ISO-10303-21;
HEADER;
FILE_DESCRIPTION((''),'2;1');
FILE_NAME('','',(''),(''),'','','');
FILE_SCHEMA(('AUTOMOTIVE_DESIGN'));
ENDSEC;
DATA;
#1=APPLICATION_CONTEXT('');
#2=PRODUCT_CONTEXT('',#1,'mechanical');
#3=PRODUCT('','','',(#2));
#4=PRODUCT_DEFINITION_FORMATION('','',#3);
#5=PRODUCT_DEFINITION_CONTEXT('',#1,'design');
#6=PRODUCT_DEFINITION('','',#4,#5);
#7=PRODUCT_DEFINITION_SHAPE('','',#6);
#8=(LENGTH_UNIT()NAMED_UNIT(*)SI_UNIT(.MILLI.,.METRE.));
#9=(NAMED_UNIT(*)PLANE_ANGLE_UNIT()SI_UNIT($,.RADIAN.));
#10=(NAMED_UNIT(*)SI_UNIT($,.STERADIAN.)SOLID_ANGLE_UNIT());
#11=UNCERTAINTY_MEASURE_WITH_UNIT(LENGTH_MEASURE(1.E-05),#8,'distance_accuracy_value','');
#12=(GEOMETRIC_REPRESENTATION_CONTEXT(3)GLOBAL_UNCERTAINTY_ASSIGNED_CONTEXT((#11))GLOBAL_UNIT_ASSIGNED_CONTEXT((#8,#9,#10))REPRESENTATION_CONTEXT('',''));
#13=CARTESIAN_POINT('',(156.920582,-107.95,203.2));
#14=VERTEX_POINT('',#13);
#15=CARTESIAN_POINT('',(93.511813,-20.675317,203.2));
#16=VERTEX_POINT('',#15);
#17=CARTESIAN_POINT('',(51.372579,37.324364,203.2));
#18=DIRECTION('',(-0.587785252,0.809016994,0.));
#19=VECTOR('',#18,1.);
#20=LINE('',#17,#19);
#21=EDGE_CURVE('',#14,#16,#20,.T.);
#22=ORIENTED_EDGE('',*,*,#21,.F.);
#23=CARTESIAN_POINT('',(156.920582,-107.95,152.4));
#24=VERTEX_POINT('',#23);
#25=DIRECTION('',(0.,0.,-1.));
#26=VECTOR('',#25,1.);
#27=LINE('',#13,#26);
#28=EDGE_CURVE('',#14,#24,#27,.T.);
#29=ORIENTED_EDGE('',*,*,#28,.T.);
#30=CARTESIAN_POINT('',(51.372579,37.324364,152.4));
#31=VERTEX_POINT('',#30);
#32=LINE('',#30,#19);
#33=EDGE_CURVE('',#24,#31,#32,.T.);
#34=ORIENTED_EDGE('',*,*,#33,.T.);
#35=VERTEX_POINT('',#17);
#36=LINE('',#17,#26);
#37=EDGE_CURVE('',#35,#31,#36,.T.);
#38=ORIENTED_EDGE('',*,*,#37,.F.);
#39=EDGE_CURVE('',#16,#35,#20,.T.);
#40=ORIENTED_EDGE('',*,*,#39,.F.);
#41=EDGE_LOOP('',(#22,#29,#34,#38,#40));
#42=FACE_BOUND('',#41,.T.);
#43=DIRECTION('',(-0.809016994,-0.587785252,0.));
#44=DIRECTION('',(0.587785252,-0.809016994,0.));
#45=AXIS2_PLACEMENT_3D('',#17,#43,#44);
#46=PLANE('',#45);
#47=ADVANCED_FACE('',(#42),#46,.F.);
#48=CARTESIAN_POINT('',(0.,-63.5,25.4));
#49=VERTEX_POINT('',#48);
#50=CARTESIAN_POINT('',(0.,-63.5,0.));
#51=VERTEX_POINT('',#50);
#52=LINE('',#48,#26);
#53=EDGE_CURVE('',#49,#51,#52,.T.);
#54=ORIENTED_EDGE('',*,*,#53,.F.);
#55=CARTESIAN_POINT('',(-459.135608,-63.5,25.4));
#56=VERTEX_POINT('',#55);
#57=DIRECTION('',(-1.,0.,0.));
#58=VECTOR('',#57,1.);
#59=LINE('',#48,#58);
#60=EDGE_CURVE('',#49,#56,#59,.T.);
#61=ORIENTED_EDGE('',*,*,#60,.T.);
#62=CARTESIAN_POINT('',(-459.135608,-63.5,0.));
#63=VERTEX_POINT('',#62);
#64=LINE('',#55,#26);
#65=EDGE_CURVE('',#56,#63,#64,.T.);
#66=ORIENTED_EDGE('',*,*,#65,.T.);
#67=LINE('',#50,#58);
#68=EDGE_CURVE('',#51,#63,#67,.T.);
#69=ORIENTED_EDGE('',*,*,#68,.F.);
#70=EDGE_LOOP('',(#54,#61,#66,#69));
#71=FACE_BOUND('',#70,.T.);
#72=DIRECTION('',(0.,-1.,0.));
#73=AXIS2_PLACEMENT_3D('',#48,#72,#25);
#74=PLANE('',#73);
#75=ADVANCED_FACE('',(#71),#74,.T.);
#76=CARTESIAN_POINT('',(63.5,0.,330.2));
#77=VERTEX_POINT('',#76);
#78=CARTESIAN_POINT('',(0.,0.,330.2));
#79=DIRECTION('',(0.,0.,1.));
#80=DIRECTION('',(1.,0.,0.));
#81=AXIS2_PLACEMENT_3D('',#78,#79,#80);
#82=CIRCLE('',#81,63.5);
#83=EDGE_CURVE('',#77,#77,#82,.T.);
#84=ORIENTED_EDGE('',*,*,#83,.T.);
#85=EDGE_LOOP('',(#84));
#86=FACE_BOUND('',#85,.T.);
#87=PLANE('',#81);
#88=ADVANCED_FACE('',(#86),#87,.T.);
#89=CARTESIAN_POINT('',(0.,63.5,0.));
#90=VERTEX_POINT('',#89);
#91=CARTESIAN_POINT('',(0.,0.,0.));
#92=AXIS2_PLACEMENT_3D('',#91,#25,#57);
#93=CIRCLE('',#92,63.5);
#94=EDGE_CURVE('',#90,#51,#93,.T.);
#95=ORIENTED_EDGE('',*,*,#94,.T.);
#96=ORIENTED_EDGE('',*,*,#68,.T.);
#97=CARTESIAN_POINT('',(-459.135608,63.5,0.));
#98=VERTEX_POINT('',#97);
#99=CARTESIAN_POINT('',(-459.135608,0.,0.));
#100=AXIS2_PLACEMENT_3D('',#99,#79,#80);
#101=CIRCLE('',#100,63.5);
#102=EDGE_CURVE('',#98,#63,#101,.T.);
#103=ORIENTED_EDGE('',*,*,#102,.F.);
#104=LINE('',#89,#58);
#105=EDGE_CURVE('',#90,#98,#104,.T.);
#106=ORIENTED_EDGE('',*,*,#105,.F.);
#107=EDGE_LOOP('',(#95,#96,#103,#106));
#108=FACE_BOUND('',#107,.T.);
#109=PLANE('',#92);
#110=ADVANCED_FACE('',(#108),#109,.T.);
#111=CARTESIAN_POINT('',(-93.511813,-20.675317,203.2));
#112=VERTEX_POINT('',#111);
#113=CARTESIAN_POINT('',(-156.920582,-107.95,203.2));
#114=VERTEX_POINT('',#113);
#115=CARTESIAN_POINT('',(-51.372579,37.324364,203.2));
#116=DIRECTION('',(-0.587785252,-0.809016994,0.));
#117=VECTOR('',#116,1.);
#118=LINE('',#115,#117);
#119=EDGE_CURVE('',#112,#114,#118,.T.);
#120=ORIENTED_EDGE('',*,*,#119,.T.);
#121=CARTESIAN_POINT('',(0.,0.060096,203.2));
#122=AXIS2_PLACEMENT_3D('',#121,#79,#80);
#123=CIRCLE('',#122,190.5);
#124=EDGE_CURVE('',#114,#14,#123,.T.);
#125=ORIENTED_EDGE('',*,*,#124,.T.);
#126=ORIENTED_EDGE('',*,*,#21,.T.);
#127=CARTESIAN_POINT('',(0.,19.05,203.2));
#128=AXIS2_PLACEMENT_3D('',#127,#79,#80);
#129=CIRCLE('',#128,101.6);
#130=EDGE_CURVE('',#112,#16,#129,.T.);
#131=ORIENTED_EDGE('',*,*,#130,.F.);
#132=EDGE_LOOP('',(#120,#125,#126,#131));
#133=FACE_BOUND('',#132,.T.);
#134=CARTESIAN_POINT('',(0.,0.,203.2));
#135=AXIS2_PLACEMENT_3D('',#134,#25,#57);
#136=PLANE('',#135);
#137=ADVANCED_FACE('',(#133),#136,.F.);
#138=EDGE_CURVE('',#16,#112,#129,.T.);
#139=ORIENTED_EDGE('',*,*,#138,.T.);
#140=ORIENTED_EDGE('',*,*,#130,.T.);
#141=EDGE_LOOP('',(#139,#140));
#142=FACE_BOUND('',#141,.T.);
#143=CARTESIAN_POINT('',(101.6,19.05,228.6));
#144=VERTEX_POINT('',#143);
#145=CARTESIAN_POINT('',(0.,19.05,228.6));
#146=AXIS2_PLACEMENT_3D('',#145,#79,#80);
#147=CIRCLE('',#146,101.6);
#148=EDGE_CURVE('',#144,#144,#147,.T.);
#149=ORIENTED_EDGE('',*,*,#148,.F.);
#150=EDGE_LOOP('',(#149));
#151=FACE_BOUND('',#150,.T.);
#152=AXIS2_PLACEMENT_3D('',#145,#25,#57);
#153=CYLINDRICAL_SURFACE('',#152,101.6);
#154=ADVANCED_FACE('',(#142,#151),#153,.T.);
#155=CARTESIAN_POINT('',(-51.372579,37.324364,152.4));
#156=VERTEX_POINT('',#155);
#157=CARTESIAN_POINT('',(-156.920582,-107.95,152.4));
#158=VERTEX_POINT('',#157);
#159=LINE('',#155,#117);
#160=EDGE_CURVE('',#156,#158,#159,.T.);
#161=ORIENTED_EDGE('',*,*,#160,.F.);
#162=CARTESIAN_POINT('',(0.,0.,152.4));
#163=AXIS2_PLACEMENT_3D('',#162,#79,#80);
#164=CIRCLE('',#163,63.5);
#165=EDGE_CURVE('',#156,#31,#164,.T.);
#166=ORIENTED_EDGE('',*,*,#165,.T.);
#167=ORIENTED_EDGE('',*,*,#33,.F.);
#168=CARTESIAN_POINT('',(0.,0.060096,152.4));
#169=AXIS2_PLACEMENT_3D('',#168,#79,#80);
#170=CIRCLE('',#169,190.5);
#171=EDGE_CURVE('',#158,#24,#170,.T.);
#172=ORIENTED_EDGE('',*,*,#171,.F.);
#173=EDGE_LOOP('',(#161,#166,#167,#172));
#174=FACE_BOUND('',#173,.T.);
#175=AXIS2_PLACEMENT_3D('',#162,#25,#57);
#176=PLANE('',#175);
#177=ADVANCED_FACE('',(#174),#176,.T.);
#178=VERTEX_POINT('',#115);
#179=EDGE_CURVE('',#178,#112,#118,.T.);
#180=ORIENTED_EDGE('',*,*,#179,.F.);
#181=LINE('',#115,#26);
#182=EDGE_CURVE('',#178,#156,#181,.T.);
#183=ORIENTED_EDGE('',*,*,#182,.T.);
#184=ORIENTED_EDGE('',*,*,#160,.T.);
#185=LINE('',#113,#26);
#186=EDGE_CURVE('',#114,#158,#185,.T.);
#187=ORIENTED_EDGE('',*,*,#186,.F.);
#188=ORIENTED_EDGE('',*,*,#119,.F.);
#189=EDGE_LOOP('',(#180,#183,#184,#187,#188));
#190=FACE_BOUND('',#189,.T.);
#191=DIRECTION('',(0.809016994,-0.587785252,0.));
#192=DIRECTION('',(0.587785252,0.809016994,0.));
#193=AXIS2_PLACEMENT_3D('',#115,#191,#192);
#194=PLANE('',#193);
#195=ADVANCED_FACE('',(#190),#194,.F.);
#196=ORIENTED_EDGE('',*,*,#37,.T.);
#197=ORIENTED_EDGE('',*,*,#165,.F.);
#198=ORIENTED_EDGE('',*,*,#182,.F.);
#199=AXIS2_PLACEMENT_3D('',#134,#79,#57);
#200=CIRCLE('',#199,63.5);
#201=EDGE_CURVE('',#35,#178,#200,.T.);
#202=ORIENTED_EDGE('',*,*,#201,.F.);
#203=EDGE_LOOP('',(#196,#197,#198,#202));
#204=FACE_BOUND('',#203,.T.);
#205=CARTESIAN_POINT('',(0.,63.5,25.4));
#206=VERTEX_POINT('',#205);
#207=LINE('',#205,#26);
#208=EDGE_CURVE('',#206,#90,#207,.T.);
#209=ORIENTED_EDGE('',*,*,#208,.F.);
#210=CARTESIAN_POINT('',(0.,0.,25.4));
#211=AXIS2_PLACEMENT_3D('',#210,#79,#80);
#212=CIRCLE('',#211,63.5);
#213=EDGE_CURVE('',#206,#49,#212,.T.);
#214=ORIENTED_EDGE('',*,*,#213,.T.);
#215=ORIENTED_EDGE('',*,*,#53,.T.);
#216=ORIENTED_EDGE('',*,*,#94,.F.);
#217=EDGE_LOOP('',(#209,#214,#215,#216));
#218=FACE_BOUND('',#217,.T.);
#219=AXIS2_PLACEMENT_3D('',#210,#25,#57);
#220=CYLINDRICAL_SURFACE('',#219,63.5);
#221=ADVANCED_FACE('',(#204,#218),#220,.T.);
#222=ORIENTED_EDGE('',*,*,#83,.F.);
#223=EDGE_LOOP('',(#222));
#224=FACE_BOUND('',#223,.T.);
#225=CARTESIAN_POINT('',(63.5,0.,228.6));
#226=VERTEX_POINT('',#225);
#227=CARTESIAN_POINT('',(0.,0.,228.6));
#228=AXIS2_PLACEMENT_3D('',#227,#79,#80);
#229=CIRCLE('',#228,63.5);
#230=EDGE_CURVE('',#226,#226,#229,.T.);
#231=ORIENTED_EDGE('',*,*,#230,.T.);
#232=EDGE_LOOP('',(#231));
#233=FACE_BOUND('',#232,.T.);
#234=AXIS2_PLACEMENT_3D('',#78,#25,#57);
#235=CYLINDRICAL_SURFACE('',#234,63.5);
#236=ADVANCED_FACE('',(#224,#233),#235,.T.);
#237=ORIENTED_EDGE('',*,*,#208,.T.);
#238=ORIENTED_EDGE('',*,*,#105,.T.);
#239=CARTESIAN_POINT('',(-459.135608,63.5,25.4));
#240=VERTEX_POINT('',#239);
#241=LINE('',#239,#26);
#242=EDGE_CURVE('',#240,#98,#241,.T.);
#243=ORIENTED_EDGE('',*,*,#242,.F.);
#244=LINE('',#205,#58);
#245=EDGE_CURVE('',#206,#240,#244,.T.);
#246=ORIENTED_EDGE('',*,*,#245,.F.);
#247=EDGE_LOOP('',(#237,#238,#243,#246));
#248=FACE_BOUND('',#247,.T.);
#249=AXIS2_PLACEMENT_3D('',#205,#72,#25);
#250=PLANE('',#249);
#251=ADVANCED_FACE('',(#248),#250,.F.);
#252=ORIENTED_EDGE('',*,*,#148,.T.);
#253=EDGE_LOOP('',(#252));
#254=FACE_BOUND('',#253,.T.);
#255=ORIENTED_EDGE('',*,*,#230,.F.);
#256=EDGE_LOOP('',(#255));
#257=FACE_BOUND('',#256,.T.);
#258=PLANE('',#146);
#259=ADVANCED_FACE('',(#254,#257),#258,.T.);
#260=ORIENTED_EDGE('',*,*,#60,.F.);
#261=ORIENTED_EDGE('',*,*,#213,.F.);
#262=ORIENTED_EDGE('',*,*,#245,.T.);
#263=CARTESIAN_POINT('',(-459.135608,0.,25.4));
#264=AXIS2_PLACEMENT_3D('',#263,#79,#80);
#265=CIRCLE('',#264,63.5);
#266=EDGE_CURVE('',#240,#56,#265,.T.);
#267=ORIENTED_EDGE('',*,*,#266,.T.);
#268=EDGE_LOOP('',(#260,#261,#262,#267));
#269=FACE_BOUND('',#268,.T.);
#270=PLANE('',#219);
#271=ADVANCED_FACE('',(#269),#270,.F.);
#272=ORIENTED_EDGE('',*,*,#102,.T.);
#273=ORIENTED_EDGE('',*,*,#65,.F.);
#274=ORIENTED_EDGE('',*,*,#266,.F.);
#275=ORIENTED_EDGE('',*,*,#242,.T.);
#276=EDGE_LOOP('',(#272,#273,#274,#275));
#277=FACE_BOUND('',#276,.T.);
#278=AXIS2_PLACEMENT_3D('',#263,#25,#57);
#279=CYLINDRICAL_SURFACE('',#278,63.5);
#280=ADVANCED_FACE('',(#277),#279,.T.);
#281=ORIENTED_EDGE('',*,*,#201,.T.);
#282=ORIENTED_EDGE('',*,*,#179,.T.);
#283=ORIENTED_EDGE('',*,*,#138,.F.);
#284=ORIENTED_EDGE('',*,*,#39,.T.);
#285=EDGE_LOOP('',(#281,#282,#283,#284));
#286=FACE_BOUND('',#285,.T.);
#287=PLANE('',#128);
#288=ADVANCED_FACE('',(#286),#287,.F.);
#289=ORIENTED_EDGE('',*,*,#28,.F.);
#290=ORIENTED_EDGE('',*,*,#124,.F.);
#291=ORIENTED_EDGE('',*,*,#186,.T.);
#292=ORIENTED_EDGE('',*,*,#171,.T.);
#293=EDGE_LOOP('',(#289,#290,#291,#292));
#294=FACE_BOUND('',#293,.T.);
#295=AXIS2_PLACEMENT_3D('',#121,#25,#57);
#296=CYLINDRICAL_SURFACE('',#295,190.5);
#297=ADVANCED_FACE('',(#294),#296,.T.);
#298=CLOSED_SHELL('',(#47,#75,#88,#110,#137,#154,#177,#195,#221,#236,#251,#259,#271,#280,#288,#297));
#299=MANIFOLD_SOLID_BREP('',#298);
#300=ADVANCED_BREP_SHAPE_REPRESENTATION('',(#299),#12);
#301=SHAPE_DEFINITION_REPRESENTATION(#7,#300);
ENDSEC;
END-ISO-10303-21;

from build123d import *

# Parameters (mm, degrees)
BOSS_EXTRUDE1_DEPTH = 25.4
SKETCH3_R           = 63.5
BOSS_EXTRUDE2_DEPTH = 127
BOSS_EXTRUDE3_DEPTH = 50.8
SKETCH5_R           = 101.6
BOSS_EXTRUDE4_DEPTH = 25.4
SKETCH6_R           = 63.5
BOSS_EXTRUDE5_DEPTH = 101.6


with BuildPart() as part:
    # Sketch2 → Boss-Extrude1 (new body)
    with BuildSketch(Plane.XY):
        with BuildLine():
            Line((0, 63.5), (-459.135608438, 63.5))
            ThreePointArc((-459.135608438, 63.5), (-522.635608438, 0), (-459.135608438, -63.5))
            Line((-459.135608438, -63.5), (0, -63.5))
            ThreePointArc((0, -63.5), (63.5, 0), (0, 63.5))
        make_face()
    extrude(amount=BOSS_EXTRUDE1_DEPTH)

    # Sketch3 → Boss-Extrude2 (add)
    with BuildSketch(Plane.XY.offset(25.4)):
        with Locations(Location((0, 0, 0), (0, 0, 90))):
            Circle(SKETCH3_R)
    extrude(amount=BOSS_EXTRUDE2_DEPTH)

    # Sketch4 → Boss-Extrude3 (add)
    with BuildSketch(Plane.XY.offset(152.4)):
        with BuildLine():
            Line((-51.372579143, 37.324363521), (-156.920582469, -107.95))
            ThreePointArc((-156.920582469, -107.95), (0, -190.439904187), (156.920582469, -107.95))
            Line((156.920582469, -107.95), (51.372579143, 37.324363521))
            ThreePointArc((51.372579143, 37.324363521), (0, 63.5), (-51.372579143, 37.324363521))
        make_face()
    extrude(amount=BOSS_EXTRUDE3_DEPTH)

    # Sketch5 → Boss-Extrude4 (add)
    with BuildSketch(Plane.XY.offset(203.2)):
        with Locations(Location((0, 19.05, 0), (0, 0, 203.016562949))):
            Circle(SKETCH5_R)
    extrude(amount=BOSS_EXTRUDE4_DEPTH)

    # Sketch6 → Boss-Extrude5 (add)
    with BuildSketch(Plane.XY.offset(228.6)):
        with Locations(Location((0, 0, 0), (0, 0, 144))):
            Circle(SKETCH6_R)
    extrude(amount=BOSS_EXTRUDE5_DEPTH)


solid = part.part
